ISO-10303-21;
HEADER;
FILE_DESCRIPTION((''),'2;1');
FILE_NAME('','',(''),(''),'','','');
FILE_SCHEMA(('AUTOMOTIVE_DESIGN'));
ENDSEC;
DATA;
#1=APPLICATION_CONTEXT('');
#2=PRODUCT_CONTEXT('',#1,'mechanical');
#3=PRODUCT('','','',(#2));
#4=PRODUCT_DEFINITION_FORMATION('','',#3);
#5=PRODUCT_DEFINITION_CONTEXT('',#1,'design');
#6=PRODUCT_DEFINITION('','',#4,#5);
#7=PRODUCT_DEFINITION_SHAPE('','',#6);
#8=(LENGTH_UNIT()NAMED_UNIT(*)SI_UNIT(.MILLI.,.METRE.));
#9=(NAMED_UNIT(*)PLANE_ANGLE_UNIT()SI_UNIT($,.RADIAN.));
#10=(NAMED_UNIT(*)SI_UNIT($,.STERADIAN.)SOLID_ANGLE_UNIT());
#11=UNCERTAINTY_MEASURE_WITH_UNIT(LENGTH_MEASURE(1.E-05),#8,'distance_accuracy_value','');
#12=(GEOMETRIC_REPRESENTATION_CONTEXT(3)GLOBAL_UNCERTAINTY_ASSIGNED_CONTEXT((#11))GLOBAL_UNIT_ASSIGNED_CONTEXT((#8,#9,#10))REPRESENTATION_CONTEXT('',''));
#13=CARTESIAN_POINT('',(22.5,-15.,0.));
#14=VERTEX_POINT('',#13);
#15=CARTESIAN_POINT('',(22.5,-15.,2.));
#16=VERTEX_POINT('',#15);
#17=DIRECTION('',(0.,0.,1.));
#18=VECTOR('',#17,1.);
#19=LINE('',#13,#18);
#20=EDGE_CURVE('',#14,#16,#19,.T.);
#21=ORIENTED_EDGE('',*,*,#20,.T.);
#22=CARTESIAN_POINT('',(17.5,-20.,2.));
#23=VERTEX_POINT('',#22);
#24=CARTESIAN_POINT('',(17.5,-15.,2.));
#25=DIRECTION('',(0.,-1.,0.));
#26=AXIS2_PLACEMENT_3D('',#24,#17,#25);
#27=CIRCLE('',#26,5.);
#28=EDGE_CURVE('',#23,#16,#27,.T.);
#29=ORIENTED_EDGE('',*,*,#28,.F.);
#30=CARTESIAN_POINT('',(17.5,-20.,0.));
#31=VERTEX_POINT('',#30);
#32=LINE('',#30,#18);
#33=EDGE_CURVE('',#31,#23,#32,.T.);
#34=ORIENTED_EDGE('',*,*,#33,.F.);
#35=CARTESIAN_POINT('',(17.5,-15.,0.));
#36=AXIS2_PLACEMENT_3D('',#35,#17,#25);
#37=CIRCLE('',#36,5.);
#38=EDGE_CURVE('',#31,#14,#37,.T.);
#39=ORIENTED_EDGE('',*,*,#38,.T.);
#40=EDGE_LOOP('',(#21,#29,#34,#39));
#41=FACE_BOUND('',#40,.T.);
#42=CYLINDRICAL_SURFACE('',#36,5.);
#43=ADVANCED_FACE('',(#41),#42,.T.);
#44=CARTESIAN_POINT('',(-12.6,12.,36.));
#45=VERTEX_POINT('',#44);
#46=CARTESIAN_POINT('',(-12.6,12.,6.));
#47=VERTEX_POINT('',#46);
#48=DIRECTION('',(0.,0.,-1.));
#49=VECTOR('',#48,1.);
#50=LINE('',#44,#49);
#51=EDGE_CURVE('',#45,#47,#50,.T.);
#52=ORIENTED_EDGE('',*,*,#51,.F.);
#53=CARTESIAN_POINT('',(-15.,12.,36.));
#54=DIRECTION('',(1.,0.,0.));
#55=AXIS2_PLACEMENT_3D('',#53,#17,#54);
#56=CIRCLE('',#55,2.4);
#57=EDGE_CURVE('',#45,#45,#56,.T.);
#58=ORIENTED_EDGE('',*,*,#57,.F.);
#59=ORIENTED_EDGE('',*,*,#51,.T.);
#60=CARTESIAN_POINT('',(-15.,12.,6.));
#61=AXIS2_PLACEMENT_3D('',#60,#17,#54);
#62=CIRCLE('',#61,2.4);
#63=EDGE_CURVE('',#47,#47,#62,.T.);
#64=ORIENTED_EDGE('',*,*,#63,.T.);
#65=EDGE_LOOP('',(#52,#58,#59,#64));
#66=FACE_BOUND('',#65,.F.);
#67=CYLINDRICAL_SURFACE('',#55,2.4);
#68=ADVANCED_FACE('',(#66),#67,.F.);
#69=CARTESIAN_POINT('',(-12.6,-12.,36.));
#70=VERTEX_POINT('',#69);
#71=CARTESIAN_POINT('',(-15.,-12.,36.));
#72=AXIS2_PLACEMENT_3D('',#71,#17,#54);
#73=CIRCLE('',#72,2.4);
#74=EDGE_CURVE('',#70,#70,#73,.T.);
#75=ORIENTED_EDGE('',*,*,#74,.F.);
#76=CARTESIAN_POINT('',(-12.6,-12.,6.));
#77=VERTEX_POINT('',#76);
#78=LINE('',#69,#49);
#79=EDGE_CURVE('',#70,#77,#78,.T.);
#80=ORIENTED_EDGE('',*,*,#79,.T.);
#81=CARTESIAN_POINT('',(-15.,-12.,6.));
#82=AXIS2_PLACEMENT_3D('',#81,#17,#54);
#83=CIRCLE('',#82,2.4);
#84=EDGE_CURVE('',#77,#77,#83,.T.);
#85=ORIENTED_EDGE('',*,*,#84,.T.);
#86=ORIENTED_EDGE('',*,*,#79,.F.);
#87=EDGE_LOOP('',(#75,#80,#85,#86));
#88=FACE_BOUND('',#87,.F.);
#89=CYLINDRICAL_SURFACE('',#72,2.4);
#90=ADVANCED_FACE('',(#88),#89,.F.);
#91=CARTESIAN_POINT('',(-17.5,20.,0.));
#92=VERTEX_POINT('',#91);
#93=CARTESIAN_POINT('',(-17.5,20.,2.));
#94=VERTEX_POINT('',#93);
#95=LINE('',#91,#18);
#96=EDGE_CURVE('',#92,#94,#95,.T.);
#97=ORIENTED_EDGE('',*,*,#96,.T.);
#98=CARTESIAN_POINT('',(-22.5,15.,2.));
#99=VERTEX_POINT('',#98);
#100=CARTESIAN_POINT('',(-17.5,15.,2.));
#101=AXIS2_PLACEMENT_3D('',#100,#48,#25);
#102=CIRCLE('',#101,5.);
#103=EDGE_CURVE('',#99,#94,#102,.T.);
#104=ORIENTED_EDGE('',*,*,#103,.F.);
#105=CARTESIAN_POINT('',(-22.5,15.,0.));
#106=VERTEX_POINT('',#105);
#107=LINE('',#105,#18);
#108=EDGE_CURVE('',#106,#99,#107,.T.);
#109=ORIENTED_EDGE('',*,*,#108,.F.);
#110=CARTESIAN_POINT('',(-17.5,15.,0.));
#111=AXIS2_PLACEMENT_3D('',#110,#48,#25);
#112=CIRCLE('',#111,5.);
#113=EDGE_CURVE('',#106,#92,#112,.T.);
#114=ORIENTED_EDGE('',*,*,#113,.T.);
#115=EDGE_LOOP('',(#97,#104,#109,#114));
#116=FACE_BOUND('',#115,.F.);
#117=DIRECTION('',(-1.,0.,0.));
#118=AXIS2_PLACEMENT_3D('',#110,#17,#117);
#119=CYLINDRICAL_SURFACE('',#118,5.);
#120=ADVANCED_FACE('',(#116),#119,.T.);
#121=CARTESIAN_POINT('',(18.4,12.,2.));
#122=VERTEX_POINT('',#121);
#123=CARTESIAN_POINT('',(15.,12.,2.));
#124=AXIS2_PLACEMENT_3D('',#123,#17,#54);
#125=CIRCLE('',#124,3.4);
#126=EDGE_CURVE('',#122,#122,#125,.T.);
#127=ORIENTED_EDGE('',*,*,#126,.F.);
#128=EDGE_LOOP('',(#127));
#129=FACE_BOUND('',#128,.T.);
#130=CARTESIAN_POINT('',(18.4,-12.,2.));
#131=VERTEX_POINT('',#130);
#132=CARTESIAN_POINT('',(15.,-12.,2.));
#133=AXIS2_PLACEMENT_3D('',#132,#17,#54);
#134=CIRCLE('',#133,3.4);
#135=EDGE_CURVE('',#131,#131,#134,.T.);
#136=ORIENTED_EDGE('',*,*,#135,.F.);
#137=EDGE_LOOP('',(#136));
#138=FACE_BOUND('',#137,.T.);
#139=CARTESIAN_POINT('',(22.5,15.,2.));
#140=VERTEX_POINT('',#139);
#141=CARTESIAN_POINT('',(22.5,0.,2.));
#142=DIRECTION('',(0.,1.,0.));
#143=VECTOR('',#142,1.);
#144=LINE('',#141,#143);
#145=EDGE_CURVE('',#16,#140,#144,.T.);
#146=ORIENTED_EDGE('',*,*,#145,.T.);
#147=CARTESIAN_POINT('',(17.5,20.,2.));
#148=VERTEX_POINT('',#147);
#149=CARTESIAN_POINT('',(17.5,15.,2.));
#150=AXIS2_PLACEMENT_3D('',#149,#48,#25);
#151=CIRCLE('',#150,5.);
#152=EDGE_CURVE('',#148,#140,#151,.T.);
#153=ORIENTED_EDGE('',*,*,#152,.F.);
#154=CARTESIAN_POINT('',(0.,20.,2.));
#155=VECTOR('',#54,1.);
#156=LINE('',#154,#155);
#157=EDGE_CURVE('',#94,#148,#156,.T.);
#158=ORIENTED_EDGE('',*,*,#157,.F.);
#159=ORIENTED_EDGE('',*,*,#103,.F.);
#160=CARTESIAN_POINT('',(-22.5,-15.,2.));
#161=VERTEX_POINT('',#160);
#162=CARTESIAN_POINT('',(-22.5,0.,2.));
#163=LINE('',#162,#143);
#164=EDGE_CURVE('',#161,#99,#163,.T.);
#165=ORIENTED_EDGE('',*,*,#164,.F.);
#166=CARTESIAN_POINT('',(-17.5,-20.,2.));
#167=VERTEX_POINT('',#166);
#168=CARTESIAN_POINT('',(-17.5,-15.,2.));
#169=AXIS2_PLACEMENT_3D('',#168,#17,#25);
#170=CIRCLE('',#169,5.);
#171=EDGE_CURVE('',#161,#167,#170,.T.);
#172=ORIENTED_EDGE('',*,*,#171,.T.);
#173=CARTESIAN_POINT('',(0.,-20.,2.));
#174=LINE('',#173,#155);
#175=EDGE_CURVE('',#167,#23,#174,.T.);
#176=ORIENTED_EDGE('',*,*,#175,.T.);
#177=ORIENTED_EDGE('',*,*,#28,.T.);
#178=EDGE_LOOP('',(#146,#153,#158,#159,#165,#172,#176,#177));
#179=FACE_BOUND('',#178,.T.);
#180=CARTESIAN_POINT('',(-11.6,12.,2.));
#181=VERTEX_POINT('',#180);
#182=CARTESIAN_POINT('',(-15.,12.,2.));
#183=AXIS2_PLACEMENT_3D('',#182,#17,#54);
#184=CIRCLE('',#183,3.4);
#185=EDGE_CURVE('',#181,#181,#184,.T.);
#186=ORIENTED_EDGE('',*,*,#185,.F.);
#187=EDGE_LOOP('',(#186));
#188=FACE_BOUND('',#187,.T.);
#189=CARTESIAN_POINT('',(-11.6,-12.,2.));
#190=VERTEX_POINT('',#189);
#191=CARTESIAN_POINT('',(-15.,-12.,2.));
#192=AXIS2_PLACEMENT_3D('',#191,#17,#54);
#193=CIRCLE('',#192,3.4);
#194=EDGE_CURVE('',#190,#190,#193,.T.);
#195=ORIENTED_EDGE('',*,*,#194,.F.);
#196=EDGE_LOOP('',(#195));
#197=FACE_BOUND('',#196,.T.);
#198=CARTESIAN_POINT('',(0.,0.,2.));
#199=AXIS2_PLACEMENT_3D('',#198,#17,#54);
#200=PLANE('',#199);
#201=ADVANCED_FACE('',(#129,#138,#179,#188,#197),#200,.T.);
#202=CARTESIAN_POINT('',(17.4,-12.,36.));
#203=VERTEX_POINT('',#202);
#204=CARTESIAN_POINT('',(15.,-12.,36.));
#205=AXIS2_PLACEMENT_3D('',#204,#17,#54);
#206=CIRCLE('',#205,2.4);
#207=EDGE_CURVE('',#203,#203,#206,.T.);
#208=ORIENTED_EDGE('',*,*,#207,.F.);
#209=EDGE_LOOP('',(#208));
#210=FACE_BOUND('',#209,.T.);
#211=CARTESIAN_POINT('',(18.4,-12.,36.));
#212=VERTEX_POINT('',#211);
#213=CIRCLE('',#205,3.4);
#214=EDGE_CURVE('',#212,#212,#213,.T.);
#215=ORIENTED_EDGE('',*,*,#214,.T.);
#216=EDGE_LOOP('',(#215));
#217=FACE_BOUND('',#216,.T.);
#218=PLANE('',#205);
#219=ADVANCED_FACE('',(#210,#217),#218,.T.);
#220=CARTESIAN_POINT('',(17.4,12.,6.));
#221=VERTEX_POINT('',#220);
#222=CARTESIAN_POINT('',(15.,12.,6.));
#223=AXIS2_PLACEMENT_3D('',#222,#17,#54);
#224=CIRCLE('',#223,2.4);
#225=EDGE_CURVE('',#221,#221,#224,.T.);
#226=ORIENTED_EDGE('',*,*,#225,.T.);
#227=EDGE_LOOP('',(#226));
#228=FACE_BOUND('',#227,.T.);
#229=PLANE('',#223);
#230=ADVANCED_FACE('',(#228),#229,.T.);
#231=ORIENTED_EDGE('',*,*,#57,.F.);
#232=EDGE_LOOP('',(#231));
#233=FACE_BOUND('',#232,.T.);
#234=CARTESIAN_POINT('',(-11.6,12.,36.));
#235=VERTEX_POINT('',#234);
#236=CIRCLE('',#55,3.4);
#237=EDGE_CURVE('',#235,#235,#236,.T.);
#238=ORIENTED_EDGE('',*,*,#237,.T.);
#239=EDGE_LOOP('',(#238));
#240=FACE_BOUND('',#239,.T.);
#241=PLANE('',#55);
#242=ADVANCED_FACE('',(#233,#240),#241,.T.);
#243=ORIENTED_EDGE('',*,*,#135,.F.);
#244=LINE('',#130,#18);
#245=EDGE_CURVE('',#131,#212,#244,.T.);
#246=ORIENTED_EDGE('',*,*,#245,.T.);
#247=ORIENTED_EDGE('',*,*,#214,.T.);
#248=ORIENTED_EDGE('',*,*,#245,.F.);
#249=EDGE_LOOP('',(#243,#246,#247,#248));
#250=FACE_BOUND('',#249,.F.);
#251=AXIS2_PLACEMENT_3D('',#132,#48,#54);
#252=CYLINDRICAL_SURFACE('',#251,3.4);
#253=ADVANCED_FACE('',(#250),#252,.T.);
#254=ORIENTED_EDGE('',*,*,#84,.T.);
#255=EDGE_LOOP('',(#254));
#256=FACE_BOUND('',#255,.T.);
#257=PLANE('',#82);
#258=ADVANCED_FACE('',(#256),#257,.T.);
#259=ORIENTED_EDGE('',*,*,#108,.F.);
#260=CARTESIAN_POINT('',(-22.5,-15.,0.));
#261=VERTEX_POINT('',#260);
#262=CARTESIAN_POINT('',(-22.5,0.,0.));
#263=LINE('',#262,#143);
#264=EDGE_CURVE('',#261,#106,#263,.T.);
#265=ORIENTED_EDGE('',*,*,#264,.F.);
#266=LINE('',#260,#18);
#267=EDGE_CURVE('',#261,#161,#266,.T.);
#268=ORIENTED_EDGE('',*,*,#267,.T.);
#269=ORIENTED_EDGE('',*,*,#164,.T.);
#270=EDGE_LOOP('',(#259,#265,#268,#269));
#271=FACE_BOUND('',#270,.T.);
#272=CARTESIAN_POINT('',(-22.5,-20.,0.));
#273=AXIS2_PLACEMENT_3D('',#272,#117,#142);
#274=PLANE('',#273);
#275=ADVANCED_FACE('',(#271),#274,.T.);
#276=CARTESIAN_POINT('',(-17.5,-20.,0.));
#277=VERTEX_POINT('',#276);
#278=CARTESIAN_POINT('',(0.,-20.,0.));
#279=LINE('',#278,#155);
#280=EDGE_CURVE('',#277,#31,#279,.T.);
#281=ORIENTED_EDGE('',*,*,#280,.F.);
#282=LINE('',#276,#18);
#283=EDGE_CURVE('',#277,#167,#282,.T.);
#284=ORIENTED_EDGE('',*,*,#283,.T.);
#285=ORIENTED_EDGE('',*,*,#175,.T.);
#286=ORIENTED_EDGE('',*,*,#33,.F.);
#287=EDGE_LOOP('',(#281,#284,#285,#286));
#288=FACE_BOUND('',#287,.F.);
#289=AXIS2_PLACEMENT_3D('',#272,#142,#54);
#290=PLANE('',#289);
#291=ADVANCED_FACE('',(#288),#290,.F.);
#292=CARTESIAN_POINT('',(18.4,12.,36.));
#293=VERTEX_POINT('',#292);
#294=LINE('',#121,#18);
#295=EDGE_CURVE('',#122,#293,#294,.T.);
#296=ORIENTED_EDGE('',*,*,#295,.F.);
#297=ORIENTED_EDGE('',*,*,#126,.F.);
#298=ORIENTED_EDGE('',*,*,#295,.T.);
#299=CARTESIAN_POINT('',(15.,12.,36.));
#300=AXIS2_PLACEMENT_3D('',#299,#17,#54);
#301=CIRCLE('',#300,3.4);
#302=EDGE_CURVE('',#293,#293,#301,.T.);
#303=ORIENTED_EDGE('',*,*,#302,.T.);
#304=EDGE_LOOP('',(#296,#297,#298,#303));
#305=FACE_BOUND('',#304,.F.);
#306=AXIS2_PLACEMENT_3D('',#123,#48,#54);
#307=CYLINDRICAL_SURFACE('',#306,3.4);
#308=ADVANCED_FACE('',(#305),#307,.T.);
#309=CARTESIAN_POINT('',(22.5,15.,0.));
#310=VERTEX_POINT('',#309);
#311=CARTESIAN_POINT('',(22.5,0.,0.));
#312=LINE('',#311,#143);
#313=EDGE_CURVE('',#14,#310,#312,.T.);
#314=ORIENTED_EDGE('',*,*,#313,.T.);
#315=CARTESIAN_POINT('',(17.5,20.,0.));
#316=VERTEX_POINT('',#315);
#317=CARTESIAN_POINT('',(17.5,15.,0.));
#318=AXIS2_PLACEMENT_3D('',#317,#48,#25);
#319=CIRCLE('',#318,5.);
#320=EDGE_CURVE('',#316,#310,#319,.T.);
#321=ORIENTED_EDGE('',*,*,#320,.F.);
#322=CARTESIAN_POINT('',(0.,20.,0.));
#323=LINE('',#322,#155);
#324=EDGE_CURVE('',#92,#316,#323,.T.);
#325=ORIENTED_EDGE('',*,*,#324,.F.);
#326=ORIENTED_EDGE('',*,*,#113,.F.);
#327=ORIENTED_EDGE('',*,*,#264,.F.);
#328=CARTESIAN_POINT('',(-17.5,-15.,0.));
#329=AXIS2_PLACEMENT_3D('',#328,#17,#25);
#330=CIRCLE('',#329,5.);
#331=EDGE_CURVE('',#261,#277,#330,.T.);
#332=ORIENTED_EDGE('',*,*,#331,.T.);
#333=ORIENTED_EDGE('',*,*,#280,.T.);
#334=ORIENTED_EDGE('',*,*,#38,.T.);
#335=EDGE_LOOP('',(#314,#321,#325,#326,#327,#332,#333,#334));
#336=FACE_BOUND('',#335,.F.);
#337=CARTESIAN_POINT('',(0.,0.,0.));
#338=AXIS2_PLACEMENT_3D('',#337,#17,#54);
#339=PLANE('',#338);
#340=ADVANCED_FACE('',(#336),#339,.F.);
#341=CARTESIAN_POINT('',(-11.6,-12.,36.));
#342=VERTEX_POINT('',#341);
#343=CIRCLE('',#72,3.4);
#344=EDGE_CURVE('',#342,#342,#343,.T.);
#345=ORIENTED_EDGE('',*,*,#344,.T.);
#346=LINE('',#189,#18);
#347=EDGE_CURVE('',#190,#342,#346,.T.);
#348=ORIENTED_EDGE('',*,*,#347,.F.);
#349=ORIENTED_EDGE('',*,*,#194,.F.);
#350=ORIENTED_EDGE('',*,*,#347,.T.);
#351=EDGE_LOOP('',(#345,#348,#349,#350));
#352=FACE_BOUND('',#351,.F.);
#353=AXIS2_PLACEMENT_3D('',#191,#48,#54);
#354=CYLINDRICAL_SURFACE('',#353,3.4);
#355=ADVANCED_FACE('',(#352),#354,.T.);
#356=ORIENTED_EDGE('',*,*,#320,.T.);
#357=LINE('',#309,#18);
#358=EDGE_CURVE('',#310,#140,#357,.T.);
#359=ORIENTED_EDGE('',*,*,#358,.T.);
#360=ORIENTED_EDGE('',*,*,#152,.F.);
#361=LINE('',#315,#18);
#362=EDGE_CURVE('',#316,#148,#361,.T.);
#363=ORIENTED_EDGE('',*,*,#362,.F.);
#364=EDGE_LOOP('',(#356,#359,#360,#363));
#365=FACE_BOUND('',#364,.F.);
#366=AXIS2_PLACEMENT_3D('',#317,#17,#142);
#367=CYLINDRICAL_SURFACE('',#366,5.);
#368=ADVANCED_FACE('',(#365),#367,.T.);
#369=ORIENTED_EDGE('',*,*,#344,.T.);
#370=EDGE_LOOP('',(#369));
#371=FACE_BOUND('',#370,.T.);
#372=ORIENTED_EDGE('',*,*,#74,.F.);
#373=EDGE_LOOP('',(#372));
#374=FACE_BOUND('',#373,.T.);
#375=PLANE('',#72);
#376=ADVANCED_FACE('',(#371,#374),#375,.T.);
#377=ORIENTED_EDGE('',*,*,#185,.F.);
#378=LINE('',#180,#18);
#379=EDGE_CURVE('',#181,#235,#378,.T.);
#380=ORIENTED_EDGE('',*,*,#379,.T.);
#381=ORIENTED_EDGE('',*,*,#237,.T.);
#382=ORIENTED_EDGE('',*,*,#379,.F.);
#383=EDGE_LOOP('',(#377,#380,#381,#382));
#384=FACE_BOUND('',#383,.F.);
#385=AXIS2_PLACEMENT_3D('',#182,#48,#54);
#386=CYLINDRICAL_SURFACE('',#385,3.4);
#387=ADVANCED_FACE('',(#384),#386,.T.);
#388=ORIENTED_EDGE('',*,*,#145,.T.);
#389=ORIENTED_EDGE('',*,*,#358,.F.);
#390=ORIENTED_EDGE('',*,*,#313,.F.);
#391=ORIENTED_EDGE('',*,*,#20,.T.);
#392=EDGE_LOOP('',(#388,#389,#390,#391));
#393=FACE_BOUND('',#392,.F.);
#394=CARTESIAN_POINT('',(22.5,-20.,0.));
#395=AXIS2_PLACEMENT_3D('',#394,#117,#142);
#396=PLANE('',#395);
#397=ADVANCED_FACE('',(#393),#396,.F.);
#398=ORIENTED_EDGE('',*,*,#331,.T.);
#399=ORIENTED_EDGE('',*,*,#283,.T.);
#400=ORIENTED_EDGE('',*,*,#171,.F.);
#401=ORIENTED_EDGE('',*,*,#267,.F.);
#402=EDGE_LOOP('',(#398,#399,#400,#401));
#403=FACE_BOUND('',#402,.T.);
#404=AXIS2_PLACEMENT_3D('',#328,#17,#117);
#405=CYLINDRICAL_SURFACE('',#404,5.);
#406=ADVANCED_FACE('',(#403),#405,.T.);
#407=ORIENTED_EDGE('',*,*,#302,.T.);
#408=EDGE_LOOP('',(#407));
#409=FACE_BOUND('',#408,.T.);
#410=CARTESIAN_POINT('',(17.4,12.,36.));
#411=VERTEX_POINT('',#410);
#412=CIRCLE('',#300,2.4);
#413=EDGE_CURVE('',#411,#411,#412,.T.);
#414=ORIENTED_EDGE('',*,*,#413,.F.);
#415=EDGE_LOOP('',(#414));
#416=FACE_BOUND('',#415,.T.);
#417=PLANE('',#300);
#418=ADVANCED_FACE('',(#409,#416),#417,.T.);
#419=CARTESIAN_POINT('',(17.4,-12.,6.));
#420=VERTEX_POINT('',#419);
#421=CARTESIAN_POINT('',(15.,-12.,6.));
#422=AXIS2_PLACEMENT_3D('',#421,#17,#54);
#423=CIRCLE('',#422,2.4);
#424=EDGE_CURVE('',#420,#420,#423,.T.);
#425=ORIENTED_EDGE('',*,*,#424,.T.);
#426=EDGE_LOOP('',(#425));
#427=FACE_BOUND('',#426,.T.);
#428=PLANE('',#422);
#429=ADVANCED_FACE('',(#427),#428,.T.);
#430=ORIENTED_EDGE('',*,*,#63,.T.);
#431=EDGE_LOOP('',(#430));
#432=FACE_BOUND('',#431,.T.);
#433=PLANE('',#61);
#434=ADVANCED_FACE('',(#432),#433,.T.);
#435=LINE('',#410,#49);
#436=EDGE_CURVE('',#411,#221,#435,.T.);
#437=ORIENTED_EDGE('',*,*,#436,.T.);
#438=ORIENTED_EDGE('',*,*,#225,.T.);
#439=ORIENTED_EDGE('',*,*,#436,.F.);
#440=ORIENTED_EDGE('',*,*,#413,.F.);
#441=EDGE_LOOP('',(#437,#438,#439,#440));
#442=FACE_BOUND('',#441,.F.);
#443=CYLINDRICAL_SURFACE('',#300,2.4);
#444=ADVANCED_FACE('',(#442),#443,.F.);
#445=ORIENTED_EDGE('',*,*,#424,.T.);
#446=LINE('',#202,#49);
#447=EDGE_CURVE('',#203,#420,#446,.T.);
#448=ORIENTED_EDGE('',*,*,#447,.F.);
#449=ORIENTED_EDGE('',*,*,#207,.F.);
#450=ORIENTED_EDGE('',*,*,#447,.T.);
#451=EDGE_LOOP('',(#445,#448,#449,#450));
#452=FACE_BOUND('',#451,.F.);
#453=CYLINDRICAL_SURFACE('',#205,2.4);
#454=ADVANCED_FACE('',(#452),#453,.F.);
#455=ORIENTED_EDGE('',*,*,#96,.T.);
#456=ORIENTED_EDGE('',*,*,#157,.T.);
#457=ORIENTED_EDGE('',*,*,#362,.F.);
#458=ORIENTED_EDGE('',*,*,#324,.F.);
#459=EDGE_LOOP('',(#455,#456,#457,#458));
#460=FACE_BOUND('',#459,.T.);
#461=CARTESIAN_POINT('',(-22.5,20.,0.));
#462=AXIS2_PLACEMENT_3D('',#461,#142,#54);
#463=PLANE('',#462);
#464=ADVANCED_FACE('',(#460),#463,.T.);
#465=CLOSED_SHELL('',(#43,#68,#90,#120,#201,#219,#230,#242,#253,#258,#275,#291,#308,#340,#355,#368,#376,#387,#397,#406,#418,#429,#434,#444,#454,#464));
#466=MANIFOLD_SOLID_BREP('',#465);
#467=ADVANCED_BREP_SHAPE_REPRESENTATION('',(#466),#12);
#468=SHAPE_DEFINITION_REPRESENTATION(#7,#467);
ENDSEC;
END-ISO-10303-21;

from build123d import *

# Parameters (mm, degrees)
F0_W     = 45
F0_H     = 40
F1_DEPTH = 2
F2_R     = 3.4
F3_DEPTH = 34
F4_R     = 2.4
F5_DEPTH = 30
F6_R     = 5


with BuildPart() as f1:
    # F0 (on Top) → F1 (new body)
    with BuildSketch(Plane.XY):
        Rectangle(F0_W, F0_H)
    extrude(amount=F1_DEPTH)

    # F2 (on face) → F3 (join)
    with BuildSketch(Plane.XY.offset(2)):
        with Locations((-15, 12)):
            Circle(F2_R)
        with Locations((15, 12)):
            Circle(F2_R)
        with Locations((15, -12)):
            Circle(F2_R)
        with Locations((-15, -12)):
            Circle(F2_R)
    extrude(amount=F3_DEPTH)

    # F4 (on face) → F5 (cut)
    with BuildSketch(Plane.XY.offset(36)):
        with Locations((-15, 12)):
            Circle(F4_R)
        with Locations((15, 12)):
            Circle(F4_R)
        with Locations((15, -12)):
            Circle(F4_R)
        with Locations((-15, -12)):
            Circle(F4_R)
    extrude(amount=-F5_DEPTH, mode=Mode.SUBTRACT)

    # F6
    f6_edges = [f1.edges().sort_by_distance(p)[0] for p in [
        (-22.5, -20, 1),
        (22.5, -20, 1),
        (22.5, 20, 1),
        (-22.5, 20, 1),
    ]]
    fillet(f6_edges, radius=F6_R)


solid = f1.part
